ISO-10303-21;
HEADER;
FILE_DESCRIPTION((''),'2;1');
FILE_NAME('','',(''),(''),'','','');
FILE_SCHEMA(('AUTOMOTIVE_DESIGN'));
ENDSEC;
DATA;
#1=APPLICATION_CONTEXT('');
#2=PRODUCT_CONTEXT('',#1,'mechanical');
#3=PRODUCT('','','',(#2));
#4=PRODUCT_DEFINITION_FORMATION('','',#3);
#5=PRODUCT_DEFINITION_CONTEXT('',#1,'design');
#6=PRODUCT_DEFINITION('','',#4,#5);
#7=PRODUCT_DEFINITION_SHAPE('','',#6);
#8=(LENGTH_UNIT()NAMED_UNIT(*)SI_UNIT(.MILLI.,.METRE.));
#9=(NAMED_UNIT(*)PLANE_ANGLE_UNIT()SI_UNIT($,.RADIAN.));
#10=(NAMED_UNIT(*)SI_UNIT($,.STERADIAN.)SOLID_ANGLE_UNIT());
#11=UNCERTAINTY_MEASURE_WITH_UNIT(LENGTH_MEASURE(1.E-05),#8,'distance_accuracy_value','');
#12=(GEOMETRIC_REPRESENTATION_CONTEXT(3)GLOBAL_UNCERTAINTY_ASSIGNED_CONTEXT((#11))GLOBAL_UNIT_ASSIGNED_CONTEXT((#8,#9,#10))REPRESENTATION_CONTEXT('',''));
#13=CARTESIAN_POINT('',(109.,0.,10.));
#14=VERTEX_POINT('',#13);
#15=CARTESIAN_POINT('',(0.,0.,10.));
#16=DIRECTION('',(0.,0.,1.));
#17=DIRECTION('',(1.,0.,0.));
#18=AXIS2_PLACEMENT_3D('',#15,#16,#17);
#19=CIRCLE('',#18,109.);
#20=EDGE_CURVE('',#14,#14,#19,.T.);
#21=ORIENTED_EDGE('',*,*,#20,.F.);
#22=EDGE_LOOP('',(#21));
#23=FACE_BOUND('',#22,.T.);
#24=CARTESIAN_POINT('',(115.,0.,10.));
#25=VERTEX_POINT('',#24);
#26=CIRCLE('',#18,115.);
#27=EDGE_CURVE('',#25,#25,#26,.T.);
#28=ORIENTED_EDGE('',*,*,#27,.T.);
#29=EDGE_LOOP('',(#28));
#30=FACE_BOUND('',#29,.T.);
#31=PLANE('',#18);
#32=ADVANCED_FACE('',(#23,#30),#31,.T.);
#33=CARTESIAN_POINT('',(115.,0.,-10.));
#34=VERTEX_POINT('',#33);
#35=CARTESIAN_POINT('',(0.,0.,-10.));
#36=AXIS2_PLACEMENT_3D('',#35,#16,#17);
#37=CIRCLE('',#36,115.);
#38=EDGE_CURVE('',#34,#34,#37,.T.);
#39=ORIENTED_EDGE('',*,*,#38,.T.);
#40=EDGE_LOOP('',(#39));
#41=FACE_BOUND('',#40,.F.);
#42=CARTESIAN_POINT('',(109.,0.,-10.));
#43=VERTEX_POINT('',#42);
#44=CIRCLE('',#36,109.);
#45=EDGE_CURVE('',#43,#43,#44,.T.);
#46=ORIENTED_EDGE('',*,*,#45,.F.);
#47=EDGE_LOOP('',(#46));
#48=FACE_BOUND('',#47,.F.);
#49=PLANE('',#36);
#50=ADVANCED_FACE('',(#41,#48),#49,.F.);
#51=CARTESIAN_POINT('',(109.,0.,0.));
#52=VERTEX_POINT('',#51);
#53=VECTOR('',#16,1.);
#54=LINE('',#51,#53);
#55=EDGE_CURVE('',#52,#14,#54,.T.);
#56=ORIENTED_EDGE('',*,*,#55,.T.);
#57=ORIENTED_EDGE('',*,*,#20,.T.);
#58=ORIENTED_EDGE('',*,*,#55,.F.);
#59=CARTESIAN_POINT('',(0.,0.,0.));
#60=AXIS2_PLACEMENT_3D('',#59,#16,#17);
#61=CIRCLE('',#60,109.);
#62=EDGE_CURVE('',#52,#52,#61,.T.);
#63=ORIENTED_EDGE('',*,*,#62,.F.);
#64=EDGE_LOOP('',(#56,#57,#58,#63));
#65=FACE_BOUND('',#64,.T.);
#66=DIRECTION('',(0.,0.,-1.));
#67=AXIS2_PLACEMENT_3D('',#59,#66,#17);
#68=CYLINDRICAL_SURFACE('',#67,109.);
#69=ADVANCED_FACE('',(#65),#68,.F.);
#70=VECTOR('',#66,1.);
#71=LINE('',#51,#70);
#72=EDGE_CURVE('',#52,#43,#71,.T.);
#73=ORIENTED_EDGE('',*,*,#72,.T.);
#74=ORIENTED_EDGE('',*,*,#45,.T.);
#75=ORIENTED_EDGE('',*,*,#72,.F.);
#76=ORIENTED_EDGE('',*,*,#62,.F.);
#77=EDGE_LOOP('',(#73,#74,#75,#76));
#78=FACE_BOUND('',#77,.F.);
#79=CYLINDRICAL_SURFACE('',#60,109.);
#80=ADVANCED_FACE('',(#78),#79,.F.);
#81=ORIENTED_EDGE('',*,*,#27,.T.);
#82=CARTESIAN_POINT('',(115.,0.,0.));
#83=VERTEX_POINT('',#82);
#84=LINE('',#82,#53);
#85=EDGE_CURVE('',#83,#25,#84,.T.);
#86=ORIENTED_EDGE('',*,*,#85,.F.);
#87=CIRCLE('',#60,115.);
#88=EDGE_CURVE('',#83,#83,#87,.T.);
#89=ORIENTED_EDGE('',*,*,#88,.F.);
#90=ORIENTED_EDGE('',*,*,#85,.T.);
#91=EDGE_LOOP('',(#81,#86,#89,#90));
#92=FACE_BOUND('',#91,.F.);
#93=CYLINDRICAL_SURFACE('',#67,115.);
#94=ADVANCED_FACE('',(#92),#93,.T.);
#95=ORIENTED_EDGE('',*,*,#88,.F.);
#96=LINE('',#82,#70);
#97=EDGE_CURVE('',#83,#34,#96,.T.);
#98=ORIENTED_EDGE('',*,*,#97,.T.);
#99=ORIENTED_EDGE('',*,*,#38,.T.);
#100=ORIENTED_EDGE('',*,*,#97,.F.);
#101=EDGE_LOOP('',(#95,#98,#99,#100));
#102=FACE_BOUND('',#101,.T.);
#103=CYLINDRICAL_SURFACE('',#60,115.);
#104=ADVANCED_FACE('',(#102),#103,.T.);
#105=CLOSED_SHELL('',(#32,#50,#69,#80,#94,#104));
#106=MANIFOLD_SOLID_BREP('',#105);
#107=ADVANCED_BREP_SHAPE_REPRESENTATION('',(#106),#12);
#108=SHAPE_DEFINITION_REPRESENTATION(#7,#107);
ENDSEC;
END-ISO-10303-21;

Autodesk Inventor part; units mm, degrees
ref_plane "YZ Plane" through (0, 0, 0) normal (1, 0, 0) x (0, 1, 0)
ref_plane "XZ Plane" through (0, 0, 0) normal (0, 1, 0) x (-1, 0, 0)
ref_plane "XY Plane" through (0, 0, 0) normal (0, 0, 1) x (1, 0, 0)
sketch "Sketch1" plane through (0, 0, 0) normal (0, 0, 1) x (1, 0, 0)
  circle A0 centre (0, 0) radius 115
  circle A1 centre (0, 0) radius 109
  dimension "d0" = 230
  dimension "d1" = 218
extrude "Extrusion1" add sketch "Sketch1" along normal mid plane 20
properties part number "Spacer2_exodos"
